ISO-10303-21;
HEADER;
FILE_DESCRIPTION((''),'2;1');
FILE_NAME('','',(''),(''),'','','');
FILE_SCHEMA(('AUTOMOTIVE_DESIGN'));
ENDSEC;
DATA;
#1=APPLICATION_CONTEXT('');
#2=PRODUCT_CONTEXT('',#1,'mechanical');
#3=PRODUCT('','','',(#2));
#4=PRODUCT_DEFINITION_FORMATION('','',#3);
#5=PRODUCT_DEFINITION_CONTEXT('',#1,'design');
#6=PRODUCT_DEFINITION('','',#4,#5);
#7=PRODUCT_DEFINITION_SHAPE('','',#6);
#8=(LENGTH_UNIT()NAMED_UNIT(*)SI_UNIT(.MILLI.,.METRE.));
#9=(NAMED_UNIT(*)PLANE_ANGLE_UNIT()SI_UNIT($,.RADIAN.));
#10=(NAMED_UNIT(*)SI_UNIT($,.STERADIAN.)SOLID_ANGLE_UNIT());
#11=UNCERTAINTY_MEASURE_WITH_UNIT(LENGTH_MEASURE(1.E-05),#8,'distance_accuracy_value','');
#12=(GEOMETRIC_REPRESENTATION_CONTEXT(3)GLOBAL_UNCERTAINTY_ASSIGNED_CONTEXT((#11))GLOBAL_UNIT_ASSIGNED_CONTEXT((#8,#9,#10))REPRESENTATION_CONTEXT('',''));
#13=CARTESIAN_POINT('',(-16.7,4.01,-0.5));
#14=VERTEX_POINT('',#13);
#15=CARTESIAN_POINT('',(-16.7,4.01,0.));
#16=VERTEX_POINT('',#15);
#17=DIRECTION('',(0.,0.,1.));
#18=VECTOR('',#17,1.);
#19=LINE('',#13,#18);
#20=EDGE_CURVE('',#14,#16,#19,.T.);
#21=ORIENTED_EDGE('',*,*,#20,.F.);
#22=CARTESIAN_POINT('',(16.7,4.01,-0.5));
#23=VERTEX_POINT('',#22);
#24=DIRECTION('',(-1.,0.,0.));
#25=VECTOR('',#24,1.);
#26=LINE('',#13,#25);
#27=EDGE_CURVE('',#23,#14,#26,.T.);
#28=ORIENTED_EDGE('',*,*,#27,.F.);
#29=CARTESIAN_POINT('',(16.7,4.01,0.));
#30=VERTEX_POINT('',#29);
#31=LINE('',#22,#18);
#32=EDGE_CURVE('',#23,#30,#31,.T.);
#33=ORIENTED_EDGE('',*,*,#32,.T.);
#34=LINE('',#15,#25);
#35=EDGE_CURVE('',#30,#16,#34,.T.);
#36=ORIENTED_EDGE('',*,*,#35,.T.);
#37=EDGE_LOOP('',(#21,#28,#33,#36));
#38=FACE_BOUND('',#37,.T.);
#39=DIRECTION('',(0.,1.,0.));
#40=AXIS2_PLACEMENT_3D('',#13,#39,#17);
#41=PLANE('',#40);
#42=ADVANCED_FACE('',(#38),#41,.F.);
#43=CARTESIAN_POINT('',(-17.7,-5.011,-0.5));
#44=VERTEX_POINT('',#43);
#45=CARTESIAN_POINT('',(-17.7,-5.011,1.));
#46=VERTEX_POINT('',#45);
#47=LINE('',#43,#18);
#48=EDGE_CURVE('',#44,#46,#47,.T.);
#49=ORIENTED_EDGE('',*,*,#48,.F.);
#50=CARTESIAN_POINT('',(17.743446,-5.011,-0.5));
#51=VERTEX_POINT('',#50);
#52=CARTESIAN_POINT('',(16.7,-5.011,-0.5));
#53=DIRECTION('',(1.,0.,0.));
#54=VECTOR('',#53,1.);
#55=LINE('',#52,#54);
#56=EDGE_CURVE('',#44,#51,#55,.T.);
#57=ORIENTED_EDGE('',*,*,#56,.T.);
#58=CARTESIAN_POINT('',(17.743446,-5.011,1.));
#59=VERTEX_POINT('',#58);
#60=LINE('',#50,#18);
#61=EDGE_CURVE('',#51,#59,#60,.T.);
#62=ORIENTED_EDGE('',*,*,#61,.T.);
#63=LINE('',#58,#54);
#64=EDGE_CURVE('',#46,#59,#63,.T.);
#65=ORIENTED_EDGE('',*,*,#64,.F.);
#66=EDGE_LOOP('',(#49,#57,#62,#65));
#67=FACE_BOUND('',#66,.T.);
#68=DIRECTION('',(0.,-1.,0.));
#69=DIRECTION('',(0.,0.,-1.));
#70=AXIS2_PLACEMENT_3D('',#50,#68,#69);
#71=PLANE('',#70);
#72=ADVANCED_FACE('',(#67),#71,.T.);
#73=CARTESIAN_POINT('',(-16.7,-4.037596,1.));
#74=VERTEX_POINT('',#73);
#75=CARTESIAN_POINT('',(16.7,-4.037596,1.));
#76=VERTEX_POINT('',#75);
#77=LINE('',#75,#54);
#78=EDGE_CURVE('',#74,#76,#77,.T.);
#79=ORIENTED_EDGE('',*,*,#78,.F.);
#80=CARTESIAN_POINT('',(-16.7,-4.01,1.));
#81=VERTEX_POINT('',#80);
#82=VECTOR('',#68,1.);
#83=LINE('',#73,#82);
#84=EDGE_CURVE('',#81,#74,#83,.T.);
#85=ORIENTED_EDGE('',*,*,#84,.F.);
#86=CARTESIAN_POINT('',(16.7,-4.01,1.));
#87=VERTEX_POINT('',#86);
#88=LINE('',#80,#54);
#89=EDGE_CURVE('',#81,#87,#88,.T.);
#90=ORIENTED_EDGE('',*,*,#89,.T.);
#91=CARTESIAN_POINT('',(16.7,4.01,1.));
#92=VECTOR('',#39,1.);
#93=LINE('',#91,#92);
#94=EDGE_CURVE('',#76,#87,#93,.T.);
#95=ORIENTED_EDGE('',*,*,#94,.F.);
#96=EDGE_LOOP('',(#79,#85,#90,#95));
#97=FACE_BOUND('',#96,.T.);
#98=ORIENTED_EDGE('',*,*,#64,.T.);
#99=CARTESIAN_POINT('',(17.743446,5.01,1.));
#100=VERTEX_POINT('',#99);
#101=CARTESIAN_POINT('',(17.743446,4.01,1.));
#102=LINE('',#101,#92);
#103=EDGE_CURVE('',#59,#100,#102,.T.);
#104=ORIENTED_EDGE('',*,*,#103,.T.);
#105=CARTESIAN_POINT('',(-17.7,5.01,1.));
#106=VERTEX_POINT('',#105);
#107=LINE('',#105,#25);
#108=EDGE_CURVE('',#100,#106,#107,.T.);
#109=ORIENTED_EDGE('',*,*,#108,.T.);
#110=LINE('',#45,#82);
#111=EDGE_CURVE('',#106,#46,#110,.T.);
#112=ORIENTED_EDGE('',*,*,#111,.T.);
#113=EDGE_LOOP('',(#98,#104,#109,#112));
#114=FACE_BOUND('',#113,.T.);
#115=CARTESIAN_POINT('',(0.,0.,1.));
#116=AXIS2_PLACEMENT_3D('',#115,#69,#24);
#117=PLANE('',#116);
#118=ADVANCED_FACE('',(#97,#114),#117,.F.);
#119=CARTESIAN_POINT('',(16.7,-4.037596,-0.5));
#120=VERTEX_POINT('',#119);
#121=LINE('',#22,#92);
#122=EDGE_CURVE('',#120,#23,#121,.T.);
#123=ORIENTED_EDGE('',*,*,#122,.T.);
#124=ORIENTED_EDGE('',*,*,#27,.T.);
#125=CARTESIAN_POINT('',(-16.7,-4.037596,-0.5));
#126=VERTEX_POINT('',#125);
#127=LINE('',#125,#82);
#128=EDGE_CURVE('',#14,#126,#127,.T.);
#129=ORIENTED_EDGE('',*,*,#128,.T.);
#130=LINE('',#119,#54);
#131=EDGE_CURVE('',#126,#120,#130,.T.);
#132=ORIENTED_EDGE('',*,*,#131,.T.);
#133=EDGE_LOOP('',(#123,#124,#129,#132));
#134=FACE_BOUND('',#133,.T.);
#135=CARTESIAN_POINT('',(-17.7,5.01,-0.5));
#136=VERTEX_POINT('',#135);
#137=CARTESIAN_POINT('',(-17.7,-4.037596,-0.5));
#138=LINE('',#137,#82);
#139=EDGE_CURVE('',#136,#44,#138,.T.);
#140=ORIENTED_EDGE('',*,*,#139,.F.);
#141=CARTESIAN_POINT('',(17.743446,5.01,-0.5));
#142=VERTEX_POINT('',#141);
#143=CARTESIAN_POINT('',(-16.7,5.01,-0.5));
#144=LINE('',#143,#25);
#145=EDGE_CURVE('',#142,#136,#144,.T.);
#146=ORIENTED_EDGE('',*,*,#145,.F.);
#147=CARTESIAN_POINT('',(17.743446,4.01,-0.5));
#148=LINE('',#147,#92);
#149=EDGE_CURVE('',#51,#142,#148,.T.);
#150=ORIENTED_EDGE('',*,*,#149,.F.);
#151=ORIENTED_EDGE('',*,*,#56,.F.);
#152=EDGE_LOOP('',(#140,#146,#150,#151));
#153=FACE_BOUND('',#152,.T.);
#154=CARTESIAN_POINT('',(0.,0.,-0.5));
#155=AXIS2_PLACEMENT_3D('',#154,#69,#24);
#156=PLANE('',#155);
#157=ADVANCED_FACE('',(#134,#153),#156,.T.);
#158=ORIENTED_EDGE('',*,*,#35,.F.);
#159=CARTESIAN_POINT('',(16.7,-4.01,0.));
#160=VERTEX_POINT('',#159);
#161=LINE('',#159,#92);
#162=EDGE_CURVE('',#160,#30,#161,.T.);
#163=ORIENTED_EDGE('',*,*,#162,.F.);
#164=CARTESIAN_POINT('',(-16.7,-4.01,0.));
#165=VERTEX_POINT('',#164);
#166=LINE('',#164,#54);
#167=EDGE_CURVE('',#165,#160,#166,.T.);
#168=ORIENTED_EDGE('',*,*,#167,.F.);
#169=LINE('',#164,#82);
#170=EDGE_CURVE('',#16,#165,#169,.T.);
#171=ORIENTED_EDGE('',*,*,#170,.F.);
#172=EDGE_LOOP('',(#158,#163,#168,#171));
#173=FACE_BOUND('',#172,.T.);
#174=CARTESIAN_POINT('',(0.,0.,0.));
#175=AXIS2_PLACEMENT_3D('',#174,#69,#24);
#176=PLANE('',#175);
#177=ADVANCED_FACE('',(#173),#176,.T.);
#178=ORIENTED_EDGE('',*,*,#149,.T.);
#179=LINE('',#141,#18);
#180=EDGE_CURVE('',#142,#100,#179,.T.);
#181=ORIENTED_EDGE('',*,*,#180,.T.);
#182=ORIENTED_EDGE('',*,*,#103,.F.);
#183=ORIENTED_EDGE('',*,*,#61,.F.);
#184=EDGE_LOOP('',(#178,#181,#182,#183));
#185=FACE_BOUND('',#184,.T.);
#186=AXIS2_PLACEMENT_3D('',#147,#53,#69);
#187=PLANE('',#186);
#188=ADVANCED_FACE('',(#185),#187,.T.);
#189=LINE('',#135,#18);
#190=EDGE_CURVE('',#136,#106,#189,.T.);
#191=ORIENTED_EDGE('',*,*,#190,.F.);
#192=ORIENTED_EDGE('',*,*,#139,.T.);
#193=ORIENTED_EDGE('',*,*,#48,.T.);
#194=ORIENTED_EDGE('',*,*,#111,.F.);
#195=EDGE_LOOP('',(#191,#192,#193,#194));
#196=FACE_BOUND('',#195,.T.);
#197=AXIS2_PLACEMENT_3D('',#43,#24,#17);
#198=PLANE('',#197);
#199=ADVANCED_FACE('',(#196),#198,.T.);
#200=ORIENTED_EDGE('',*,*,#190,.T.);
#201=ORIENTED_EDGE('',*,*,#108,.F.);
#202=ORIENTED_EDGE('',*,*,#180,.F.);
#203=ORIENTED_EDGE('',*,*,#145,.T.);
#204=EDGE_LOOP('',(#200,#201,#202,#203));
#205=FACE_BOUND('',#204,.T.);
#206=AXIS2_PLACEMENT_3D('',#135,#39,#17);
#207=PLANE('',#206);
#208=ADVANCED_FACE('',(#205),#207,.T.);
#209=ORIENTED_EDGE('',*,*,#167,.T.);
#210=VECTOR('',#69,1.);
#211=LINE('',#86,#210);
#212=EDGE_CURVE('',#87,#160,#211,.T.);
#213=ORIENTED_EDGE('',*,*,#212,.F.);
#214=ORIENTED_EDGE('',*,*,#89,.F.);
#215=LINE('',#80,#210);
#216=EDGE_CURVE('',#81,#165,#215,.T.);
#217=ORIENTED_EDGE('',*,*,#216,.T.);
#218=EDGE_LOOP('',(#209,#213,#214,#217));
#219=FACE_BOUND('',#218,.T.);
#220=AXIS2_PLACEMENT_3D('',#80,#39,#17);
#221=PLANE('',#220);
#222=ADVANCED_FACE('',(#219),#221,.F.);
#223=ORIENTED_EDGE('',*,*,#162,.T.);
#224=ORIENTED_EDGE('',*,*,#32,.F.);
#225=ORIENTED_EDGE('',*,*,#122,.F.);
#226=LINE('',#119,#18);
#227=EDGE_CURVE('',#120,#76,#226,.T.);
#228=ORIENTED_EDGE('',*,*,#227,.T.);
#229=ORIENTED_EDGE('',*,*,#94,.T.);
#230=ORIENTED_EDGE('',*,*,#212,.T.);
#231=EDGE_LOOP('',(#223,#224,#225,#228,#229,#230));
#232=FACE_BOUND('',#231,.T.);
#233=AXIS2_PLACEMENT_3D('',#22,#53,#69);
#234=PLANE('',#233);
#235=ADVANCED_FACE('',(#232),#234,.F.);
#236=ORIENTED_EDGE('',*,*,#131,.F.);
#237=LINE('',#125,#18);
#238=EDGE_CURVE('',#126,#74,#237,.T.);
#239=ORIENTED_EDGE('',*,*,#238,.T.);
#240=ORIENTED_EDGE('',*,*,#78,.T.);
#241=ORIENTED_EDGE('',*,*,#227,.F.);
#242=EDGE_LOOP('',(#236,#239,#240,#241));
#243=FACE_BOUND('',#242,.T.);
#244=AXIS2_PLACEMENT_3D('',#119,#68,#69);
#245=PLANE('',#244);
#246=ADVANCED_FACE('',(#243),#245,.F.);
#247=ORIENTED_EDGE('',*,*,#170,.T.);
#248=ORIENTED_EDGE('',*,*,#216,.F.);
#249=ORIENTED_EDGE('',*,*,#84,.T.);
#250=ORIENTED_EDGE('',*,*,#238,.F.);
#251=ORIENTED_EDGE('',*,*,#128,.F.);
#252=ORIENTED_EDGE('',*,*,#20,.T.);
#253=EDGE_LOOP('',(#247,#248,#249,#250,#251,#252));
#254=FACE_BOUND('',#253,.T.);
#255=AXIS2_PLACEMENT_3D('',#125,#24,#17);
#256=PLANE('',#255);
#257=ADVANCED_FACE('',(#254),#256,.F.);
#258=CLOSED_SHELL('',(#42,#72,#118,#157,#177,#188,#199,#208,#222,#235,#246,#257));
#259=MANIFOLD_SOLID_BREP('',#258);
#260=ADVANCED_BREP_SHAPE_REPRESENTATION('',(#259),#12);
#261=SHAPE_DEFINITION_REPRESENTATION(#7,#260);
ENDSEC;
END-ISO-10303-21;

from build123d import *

# Parameters (mm, degrees)
SKETCH_1_W      = 33.4
SKETCH_1_H      = 8.02
EXTRUDE_1_DEPTH = 1
SKETCH_2_W      = 33.4
SKETCH_2_H      = 8.047596292
EXTRUDE_2_DEPTH = 1.5


with BuildPart() as part:
    # 스케치1 → 보스-돌출1 (new body)
    with BuildSketch(Plane.XY):
        Rectangle(SKETCH_1_W, SKETCH_1_H)
    extrude(amount=EXTRUDE_1_DEPTH)

    # 스케치2 → 보스-돌출2 (add)
    with BuildSketch(Plane.XY.offset(1)):
        Polygon((-16.7, 5.01), (17.743446376, 5.01), (17.743446376, 4.01), (17.743446376, -5.011), (16.7, -5.011), (-17.7, -5.011), (-17.7, -4.037596292), (-17.7, 5.01), align=None)
        with Locations((0, -0.013798146)):
            Rectangle(SKETCH_2_W, SKETCH_2_H, mode=Mode.SUBTRACT)
    extrude(amount=-EXTRUDE_2_DEPTH)


solid = part.part
